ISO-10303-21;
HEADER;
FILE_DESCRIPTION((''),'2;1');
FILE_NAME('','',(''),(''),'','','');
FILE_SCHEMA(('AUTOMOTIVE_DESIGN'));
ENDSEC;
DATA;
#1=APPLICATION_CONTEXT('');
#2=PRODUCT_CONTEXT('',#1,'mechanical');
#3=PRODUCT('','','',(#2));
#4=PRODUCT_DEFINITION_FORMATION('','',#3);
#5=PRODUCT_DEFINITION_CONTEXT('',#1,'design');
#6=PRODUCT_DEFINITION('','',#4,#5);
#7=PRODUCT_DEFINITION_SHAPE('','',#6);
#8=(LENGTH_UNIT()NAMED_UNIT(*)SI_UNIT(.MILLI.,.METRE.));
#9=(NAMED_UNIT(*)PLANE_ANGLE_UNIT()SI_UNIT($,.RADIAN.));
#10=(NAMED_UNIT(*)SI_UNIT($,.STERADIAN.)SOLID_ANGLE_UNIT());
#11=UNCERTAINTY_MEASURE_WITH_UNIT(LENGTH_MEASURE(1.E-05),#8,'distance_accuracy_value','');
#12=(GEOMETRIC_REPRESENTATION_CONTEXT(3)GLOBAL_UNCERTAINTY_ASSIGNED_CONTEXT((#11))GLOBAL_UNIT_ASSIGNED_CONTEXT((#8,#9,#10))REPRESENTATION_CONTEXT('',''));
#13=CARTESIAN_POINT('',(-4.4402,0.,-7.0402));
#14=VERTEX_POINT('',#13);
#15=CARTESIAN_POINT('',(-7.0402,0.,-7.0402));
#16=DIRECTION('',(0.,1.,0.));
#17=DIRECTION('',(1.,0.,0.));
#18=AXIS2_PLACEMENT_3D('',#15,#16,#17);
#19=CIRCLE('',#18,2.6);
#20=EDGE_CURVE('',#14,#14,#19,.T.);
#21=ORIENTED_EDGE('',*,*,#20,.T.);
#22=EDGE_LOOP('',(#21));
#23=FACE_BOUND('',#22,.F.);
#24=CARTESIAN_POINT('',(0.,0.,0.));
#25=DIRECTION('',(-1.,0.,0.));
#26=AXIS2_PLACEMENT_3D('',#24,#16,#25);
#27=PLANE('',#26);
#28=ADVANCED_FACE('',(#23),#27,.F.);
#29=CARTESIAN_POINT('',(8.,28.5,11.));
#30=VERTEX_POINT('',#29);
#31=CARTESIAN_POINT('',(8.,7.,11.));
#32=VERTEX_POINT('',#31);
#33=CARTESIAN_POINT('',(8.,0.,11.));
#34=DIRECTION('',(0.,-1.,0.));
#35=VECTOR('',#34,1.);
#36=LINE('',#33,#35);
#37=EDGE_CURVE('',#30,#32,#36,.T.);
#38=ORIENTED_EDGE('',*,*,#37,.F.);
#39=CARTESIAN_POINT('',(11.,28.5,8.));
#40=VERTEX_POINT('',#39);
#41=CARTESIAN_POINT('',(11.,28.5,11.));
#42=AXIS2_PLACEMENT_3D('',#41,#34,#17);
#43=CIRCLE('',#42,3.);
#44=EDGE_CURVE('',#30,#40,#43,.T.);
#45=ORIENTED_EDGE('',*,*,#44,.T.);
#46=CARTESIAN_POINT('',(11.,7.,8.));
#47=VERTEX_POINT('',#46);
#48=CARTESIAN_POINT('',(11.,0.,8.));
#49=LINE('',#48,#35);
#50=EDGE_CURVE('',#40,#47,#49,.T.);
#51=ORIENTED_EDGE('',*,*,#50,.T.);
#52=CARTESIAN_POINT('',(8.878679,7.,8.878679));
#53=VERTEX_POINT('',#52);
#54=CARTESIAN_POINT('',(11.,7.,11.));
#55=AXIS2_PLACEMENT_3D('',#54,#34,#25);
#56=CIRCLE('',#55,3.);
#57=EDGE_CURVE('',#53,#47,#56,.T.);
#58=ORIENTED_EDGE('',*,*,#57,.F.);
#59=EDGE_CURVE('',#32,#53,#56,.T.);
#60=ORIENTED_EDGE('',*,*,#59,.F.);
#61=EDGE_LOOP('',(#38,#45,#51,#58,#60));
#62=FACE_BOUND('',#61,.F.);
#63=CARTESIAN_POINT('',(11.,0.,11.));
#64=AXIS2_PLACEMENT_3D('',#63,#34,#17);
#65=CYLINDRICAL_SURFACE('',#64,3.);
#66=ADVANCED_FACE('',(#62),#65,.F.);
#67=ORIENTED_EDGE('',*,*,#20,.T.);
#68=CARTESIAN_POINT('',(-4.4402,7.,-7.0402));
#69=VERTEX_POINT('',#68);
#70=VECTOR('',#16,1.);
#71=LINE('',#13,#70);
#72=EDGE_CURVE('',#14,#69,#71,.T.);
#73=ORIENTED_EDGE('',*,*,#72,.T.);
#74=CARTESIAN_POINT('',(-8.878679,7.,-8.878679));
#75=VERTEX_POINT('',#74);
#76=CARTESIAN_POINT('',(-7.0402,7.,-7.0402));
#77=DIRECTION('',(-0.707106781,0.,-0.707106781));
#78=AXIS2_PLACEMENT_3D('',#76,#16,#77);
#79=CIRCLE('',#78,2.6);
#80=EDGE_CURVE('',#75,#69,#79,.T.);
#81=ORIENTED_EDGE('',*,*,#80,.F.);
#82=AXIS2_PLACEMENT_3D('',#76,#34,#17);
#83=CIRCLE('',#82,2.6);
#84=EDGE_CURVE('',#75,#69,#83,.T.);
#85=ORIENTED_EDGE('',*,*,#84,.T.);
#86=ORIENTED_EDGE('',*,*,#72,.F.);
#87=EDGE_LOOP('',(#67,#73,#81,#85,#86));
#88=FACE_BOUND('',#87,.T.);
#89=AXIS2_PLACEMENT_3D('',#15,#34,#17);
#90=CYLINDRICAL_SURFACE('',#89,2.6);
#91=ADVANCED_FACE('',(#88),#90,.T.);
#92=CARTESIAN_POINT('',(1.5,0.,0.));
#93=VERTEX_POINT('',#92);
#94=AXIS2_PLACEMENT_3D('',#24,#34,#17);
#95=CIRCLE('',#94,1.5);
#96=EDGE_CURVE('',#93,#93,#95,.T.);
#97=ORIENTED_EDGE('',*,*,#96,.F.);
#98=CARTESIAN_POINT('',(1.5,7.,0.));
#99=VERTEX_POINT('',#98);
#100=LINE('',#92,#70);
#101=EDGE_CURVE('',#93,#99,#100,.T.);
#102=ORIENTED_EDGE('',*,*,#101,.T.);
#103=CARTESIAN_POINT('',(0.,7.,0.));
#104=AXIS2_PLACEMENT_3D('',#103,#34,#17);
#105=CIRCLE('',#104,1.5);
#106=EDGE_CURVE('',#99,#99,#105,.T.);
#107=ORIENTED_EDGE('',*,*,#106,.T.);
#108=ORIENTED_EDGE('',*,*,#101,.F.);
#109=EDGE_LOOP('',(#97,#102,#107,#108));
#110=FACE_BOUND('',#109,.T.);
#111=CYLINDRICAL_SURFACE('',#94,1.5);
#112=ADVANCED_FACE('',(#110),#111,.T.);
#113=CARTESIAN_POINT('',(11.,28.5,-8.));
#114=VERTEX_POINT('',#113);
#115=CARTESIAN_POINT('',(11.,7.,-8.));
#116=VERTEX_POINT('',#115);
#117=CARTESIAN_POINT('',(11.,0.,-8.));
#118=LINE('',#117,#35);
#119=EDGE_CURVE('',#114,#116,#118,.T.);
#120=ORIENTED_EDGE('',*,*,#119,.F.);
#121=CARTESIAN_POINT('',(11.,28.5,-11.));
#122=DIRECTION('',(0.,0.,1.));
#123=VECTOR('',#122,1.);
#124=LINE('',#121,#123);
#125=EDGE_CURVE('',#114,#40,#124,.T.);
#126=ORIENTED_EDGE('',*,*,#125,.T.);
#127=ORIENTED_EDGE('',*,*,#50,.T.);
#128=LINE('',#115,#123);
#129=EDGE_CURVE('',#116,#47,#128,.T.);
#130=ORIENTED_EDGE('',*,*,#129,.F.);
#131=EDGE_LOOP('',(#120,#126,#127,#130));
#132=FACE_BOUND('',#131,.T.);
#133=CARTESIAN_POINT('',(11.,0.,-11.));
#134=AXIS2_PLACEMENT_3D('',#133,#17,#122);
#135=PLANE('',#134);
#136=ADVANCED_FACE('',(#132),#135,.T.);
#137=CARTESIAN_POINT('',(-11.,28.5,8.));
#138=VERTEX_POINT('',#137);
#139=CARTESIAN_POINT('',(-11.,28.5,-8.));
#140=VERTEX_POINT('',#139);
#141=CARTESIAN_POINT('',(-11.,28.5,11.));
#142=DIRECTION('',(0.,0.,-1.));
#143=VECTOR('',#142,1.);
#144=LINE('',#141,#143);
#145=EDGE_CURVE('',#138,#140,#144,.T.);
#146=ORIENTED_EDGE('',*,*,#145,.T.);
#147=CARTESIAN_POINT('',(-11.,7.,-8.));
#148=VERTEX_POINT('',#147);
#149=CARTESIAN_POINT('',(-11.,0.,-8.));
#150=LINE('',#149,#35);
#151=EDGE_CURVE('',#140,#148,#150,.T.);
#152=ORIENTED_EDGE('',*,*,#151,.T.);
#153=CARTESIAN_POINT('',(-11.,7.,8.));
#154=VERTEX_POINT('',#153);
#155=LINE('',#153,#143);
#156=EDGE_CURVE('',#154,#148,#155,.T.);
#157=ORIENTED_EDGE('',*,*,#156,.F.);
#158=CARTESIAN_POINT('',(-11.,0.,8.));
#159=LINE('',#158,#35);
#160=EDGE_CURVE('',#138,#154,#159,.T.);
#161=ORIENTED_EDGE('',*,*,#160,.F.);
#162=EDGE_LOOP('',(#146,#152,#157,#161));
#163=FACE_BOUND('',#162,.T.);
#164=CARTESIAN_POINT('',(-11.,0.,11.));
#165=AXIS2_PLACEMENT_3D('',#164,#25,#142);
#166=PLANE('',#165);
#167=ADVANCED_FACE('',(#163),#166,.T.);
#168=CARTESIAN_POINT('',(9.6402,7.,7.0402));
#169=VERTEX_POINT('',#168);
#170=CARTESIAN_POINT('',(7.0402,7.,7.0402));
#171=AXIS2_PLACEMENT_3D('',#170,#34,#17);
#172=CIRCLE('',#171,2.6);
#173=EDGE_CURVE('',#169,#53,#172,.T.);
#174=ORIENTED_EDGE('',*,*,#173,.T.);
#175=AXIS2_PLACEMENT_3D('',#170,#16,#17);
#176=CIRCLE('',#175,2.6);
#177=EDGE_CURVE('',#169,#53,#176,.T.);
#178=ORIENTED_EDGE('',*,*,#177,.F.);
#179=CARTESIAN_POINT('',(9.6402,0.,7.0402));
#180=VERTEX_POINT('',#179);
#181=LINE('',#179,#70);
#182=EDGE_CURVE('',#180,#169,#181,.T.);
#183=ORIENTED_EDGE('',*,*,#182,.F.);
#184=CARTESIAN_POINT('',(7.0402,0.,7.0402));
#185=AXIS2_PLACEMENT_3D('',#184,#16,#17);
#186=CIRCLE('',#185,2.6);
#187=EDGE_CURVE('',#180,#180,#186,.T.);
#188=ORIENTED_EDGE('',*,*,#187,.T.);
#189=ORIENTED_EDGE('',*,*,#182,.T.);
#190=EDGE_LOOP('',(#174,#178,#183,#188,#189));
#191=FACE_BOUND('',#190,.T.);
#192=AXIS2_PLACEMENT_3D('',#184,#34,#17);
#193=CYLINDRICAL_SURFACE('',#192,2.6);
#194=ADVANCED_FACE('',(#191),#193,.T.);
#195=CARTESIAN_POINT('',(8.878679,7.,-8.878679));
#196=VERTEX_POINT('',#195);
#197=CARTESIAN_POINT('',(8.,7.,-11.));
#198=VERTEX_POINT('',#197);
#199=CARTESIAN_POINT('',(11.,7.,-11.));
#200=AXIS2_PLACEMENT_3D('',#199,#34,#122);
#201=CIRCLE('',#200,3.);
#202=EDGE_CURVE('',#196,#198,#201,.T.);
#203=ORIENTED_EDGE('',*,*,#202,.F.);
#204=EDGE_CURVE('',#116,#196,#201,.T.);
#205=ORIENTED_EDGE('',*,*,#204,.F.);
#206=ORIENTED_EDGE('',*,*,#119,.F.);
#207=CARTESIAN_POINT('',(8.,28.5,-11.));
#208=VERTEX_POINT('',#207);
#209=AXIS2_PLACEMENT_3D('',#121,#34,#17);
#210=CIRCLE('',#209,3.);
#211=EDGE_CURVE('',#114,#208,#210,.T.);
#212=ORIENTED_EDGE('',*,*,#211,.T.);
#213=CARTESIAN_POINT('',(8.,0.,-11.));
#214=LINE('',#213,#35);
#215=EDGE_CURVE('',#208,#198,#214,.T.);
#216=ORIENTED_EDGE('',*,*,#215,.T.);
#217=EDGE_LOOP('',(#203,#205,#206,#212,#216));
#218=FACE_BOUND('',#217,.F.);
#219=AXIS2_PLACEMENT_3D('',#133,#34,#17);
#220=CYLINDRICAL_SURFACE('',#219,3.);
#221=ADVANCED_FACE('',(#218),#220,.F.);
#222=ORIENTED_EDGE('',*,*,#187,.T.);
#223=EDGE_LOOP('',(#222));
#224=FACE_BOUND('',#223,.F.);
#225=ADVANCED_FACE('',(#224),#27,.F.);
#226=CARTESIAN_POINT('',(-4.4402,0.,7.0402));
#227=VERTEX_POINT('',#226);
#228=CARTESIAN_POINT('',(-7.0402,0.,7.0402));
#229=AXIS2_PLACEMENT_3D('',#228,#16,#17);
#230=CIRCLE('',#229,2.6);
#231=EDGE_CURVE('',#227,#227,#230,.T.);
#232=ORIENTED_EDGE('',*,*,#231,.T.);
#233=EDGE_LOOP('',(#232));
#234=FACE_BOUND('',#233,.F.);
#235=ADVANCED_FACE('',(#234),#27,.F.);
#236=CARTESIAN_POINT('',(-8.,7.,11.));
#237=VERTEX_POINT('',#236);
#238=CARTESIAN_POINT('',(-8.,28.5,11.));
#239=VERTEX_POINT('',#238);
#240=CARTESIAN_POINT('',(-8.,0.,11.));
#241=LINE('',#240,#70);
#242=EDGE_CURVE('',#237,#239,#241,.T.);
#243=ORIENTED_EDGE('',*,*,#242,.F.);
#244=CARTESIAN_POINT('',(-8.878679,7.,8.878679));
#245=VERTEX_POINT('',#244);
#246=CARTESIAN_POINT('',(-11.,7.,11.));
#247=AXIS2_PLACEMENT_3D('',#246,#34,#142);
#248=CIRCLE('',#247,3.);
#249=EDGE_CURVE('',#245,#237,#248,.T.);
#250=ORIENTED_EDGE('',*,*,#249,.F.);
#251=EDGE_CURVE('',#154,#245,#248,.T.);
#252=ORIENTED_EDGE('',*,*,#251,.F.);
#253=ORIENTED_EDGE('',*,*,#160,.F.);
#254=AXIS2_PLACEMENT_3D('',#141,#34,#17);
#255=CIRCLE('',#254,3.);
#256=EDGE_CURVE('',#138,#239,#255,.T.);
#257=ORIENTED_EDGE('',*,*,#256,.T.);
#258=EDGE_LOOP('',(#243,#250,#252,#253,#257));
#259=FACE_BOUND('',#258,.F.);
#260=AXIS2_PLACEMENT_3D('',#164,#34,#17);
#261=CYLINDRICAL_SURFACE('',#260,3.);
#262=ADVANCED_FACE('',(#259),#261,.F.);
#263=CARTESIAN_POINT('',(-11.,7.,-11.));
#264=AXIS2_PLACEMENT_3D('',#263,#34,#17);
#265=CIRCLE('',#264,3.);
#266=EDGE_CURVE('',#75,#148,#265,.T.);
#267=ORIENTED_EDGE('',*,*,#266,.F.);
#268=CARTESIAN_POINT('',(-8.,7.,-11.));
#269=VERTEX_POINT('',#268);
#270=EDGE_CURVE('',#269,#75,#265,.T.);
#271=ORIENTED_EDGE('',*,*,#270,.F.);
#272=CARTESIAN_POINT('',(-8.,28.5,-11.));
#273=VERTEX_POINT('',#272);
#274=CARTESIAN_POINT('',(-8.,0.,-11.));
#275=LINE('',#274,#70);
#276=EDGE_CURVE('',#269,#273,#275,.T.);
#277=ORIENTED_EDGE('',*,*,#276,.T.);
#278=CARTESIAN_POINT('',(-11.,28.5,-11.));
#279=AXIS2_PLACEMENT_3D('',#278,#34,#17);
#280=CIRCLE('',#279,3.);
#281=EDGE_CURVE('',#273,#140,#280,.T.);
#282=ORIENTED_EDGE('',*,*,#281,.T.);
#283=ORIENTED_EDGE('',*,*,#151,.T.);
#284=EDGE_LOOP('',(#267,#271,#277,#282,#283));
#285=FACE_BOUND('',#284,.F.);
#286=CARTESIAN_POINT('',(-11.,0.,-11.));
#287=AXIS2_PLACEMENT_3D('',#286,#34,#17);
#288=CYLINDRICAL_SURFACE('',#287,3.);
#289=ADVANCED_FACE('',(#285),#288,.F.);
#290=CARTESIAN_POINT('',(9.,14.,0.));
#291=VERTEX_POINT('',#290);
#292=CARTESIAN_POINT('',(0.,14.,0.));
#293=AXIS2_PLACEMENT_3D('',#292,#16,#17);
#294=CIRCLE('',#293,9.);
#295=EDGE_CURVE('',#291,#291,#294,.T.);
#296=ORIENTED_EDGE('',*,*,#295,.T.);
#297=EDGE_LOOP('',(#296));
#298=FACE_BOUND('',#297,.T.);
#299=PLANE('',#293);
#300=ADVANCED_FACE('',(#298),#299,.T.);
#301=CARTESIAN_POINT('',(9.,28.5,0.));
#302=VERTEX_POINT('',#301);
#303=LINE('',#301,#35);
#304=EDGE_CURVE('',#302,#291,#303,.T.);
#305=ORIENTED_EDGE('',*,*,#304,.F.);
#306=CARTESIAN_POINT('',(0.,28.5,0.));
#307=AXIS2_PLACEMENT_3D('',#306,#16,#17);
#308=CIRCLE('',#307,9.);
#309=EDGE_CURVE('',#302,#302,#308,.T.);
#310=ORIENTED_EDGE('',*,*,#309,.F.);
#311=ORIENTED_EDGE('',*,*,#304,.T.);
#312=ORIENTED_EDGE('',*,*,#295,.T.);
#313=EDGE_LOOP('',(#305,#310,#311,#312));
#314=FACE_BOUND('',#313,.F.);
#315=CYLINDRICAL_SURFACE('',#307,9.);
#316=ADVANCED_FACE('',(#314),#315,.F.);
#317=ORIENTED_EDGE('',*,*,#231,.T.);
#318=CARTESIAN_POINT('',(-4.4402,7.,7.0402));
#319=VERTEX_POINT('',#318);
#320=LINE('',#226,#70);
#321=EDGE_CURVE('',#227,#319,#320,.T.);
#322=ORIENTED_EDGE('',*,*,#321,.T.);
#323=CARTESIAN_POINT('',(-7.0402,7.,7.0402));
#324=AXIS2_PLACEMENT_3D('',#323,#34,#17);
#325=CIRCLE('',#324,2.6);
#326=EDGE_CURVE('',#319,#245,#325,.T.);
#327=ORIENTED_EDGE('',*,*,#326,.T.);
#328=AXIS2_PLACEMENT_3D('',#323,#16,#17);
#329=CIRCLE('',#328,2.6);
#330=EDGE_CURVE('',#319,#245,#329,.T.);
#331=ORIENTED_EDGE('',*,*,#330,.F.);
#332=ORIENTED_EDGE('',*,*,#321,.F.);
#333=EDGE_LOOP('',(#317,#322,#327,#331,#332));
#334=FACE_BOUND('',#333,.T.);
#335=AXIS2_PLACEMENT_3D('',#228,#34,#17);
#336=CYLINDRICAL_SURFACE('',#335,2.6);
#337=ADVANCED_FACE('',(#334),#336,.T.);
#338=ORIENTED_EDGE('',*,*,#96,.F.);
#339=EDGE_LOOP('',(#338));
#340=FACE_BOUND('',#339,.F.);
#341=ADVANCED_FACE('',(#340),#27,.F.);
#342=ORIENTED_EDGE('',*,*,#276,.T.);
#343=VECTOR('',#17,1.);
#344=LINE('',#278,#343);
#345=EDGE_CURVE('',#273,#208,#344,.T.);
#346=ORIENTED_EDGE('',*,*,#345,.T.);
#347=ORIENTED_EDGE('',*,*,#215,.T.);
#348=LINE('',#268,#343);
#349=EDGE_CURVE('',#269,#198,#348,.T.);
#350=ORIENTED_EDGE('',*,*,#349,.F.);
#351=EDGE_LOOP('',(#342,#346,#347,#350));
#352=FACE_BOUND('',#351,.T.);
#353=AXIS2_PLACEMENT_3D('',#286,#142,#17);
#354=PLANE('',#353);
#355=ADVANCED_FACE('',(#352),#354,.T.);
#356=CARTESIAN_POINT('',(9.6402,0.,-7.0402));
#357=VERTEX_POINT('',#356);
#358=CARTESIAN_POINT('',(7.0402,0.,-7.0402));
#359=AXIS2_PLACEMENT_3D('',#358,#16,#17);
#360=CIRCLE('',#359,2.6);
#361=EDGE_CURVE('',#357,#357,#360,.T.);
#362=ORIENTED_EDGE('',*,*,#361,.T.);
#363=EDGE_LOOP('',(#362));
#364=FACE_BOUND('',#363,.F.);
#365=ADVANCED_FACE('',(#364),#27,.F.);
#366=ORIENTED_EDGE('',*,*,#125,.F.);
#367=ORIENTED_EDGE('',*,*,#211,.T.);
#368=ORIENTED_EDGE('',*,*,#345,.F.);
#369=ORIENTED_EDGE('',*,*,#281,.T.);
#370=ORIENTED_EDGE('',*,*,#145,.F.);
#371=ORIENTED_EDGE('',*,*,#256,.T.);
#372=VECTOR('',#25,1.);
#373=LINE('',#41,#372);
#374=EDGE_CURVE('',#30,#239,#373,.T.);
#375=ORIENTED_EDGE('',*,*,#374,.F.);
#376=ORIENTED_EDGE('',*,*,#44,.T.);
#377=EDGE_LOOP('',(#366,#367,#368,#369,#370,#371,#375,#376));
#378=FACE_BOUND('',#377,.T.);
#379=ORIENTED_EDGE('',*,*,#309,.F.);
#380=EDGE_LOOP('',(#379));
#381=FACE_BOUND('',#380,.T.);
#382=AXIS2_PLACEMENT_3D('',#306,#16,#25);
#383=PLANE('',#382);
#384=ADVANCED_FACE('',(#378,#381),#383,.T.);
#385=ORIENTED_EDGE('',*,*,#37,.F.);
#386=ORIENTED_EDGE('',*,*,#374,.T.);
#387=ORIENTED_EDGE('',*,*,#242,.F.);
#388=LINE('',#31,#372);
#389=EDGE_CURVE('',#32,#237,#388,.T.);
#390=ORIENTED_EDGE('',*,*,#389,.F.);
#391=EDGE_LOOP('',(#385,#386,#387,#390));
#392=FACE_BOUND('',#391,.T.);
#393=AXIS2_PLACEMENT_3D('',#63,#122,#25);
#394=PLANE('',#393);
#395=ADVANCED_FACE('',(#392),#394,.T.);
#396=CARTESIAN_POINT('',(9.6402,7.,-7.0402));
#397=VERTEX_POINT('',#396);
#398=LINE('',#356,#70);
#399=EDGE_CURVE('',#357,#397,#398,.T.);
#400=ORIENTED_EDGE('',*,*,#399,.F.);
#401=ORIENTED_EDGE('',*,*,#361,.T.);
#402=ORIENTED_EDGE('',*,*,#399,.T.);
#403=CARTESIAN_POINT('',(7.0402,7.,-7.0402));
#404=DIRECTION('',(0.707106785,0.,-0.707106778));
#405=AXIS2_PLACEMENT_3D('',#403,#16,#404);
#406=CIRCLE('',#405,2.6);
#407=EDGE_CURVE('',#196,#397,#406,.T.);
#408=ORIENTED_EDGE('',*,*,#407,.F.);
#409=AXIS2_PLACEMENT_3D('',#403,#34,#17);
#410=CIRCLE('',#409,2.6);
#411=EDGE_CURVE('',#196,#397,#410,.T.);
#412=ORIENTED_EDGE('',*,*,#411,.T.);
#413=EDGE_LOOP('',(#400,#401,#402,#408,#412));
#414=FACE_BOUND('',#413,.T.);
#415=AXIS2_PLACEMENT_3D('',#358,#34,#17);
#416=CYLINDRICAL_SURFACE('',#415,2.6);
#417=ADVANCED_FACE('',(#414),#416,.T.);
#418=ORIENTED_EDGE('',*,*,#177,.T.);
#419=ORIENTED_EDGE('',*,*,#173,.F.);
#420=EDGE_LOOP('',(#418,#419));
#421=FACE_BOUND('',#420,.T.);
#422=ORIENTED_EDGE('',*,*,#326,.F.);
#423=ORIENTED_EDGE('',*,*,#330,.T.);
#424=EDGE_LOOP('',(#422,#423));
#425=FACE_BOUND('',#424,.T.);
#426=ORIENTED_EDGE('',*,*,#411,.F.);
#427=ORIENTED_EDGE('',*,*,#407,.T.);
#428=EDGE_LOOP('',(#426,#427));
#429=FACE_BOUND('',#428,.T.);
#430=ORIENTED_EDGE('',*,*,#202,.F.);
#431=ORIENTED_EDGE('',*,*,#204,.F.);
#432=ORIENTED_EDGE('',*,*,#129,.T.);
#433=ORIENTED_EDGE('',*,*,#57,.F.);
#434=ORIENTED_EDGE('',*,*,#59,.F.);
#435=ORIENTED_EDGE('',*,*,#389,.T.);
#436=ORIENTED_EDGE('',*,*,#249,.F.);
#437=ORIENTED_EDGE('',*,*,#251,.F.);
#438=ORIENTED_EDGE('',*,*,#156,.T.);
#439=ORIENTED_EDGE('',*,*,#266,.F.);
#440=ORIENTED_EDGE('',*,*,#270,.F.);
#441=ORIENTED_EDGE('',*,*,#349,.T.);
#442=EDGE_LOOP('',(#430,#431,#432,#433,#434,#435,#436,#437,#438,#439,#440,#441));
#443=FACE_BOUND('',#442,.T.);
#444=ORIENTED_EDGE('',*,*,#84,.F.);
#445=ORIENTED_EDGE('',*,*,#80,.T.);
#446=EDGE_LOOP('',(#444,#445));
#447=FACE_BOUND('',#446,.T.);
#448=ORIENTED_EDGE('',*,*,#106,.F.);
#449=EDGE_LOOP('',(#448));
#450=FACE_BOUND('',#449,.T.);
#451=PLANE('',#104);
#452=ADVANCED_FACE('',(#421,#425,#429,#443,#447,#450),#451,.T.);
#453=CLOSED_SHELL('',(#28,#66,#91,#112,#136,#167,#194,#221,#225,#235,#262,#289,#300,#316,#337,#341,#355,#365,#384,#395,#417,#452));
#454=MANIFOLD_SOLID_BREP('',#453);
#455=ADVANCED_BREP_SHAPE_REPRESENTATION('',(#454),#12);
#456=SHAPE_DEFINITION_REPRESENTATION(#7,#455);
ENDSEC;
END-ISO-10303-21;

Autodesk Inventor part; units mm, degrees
ref_plane "YZ Plane" through (0, 0, 0) normal (1, 0, 0) x (0, 1, 0)
ref_plane "XZ Plane" through (0, 0, 0) normal (0, 1, 0) x (-1, 0, 0)
ref_plane "XY Plane" through (0, 0, 0) normal (0, 0, 1) x (1, 0, 0)
sketch "Sketch1" plane through (0, 0, 0) normal (0, 1, 0) x (-1, 0, 0)
  line L0 (-11, 11) -> (11, 11)
  line L1 (11, 11) -> (11, -11)
  line L2 (11, -11) -> (-11, -11)
  line L3 (-11, -11) -> (-11, 11)
  line L4 (-11, 11) -> (11, -11) construction
  line L5 (11, 11) -> (-11, -11) construction
  point P0 (0, 0)
  dimension "d0" = 22
  dimension "d1" = 22
extrude "Extrusion1" add sketch "Sketch1" along normal blind 28.5
sketch "Sketch2" plane through (0, 28.5, 0) normal (0, 1, 0) x (1, 0, 0)
  circle A0 centre (0, 0) radius 9
  dimension "d4" = 18
extrude "Extrusion2" cut sketch "Sketch2" against normal blind 14.5
sketch "Sketch3" plane through (0, 0, 0) normal (0, -1, 0) x (1, 0, 0)
  line L0 (11, 11) -> (-11, 11) projected
  line L1 (-11, 11) -> (-11, -11) projected
  line L2 (-11, -11) -> (11, -11) projected
  line L3 (11, -11) -> (11, 11) projected
  line L4 (11, 11) -> (11, -11) projected
  circle A0 centre (11, -11) radius 3
  line L5 (11, -11) -> (-11, -11) projected
  circle A1 centre (-11, -11) radius 3
  line L6 (-11, 11) -> (11, 11) projected
  circle A2 centre (-11, 11) radius 3
  circle A3 centre (11, 11) radius 3
  point P0 (0, 0)
  dimension "d7" = 6
  dimension "d8" = 6
  dimension "d9" = 6
  dimension "d10" = 6
extrude "Extrusion3" cut sketch "Sketch3" against normal through all contours A2 L1 L0 | L0 L1 A2 | A3 L3 L0 | L0 L3 A3 | A1 L2 L1 | L1 L2 A1 | A0 L2 L3 | L3 L2 A0
sketch "Sketch4" plane through (0, 0, 0) normal (0, -1, 0) x (1, 0, 0)
  circle A0 centre (0, 0) radius 1.5
  arc A1 (8, 11) -> (11, 8) centre (11, 11) ccw projected
  line L0 (8, 11) -> (-8, 11) projected
  arc A2 (-11, 8) -> (-8, 11) centre (-11, 11) ccw projected
  line L1 (-11, 8) -> (-11, -8) projected
  arc A3 (-8, -11) -> (-11, -8) centre (-11, -11) ccw projected
  line L2 (-8, -11) -> (8, -11) projected
  arc A4 (11, -8) -> (8, -11) centre (11, -11) ccw projected
  line L3 (11, -8) -> (11, 8) projected
  line L4 (7.0402, 7.0402) -> (4.4402, 7.0402)
  line L5 (-7.0402, 7.0402) -> (-7.0402, 4.4402)
  line L6 (-7.0402, -7.0402) -> (-4.4402, -7.0402)
  line L7 (7.0402, -7.0402) -> (7.0402, -4.4402)
  line L8 (7.0402, 7.0402) -> (-7.0402, -7.0402) construction
  line L9 (-7.0402, 7.0402) -> (7.0402, -7.0402) construction
  circle A5 centre (-7.0402, -7.0402) radius 2.6
  circle A6 centre (-7.0402, 7.0402) radius 2.6
  circle A7 centre (7.0402, 7.0402) radius 2.6
  circle A8 centre (7.0402, -7.0402) radius 2.6
  line L10 (-4.4402, -7.0402) -> (4.4402, -7.0402)
  line L11 (-7.0402, 4.4402) -> (-7.0402, -4.4402)
  line L12 (-7.0402, -4.4402) -> (-7.0402, -7.0402)
  line L13 (4.4402, -7.0402) -> (7.0402, -7.0402)
  line L14 (7.0402, -4.4402) -> (7.0402, 4.4402)
  line L15 (7.0402, 4.4402) -> (7.0402, 7.0402)
  line L16 (4.4402, 7.0402) -> (-4.4402, 7.0402)
  line L17 (-4.4402, 7.0402) -> (-7.0402, 7.0402)
  dimension "d13" = 3
  dimension "d15" = 14.0804
  dimension "d16" = 5.2
  dimension "d17" = 5.2
  dimension "d18" = 5.2
  dimension "d19" = 5.2
  dimension "d20" = 14.0804
extrude "Extrusion4" cut sketch "Sketch4" against normal blind 7 contours A1 A7 L16 A6 A2 L0 | A1 L3 A4 A8 L14 A7 | A7 L14 A8 L10 A5 L11 A6 L16 | A6 L11 A5 A3 L1 A2 | A4 L2 A3 A5 L10 A8
equation "\"d1\" = d0"
equation "\"d15\" = d20"
equation "\"d17\" = d16"
equation "\"d18\" = d17"
equation "\"d19\" = d18"
properties part number "VRUZEND_Caps"
